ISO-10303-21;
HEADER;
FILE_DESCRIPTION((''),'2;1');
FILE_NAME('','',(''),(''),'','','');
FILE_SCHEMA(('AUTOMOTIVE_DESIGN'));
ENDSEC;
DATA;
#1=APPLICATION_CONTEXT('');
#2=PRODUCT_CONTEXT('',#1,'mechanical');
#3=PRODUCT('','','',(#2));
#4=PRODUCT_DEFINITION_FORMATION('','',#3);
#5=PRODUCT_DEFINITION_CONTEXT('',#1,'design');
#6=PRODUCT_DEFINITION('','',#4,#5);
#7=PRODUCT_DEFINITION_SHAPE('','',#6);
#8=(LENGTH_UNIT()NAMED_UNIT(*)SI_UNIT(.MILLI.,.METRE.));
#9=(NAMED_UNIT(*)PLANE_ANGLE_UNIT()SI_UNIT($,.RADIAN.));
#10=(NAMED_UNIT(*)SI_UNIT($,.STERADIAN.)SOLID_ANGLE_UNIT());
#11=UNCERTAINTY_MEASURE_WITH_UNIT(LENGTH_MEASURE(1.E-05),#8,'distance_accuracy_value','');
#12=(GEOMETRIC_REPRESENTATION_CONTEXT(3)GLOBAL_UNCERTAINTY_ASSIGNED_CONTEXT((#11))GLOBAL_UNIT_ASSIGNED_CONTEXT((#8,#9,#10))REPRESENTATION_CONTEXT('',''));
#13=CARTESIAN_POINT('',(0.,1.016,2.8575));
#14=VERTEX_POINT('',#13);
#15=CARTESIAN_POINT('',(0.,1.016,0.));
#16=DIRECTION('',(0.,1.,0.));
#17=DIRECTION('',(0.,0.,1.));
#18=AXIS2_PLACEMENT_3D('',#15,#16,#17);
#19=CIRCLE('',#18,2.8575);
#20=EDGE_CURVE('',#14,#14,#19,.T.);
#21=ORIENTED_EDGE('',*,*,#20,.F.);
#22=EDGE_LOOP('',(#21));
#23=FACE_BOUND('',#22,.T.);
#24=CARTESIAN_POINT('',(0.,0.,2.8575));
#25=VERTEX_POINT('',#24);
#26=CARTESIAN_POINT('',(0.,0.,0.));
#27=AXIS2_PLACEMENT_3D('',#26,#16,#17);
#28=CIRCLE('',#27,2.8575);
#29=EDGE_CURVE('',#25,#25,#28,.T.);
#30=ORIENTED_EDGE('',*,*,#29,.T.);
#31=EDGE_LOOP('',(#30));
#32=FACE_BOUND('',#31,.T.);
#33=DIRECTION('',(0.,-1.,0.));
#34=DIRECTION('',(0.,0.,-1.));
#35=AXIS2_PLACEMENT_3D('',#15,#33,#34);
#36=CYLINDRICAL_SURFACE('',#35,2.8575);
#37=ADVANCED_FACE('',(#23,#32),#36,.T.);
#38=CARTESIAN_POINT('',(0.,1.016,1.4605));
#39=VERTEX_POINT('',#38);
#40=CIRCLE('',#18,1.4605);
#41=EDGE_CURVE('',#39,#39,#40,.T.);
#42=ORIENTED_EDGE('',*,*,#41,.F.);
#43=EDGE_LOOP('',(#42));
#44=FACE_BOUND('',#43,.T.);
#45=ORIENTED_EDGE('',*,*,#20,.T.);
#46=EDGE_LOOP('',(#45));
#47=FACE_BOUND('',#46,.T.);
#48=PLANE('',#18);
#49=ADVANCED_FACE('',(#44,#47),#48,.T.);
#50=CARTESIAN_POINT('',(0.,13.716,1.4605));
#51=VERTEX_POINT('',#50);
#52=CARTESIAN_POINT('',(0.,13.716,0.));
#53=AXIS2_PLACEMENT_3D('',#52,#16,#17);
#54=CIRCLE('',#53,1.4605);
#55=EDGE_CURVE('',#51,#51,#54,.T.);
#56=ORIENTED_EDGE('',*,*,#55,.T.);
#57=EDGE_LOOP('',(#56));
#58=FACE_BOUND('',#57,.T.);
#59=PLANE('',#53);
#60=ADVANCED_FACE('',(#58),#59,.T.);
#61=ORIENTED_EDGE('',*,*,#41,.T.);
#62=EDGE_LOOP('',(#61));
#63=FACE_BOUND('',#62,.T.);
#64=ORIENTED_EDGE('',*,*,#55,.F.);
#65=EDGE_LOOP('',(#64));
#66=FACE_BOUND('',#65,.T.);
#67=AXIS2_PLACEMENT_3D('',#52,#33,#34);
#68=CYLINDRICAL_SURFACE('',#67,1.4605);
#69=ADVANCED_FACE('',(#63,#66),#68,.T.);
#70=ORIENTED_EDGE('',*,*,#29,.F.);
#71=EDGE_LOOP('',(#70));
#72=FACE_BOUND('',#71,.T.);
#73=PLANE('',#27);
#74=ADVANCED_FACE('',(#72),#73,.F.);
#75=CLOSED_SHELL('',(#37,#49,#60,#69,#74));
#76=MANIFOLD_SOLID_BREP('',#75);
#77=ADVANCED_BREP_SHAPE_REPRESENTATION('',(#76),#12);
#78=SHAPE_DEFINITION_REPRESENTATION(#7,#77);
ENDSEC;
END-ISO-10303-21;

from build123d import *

# Parameters (mm, degrees)
SKETCH1_R           = 2.8575
SKETCH1_R_2         = 1.4605
BOSS_EXTRUDE2_DEPTH = 1.016
SKETCH1_5_R         = 1.4605
BOSS_EXTRUDE3_DEPTH = 13.716


with BuildPart() as part:
    # Sketch1 → Boss-Extrude2 (new body)
    with BuildSketch(Plane(origin=(0, 0, 0), x_dir=(1, 0, 0), z_dir=(0, 1, 0))):
        Circle(SKETCH1_R)
        Circle(SKETCH1_R_2, mode=Mode.SUBTRACT)
    extrude(amount=BOSS_EXTRUDE2_DEPTH)

    # Sketch1<5> → Boss-Extrude3 (add)
    with BuildSketch(Plane(origin=(0, 0, 0), x_dir=(1, 0, 0), z_dir=(0, 1, 0))):
        Circle(SKETCH1_5_R)
    extrude(amount=BOSS_EXTRUDE3_DEPTH)


solid = part.part
